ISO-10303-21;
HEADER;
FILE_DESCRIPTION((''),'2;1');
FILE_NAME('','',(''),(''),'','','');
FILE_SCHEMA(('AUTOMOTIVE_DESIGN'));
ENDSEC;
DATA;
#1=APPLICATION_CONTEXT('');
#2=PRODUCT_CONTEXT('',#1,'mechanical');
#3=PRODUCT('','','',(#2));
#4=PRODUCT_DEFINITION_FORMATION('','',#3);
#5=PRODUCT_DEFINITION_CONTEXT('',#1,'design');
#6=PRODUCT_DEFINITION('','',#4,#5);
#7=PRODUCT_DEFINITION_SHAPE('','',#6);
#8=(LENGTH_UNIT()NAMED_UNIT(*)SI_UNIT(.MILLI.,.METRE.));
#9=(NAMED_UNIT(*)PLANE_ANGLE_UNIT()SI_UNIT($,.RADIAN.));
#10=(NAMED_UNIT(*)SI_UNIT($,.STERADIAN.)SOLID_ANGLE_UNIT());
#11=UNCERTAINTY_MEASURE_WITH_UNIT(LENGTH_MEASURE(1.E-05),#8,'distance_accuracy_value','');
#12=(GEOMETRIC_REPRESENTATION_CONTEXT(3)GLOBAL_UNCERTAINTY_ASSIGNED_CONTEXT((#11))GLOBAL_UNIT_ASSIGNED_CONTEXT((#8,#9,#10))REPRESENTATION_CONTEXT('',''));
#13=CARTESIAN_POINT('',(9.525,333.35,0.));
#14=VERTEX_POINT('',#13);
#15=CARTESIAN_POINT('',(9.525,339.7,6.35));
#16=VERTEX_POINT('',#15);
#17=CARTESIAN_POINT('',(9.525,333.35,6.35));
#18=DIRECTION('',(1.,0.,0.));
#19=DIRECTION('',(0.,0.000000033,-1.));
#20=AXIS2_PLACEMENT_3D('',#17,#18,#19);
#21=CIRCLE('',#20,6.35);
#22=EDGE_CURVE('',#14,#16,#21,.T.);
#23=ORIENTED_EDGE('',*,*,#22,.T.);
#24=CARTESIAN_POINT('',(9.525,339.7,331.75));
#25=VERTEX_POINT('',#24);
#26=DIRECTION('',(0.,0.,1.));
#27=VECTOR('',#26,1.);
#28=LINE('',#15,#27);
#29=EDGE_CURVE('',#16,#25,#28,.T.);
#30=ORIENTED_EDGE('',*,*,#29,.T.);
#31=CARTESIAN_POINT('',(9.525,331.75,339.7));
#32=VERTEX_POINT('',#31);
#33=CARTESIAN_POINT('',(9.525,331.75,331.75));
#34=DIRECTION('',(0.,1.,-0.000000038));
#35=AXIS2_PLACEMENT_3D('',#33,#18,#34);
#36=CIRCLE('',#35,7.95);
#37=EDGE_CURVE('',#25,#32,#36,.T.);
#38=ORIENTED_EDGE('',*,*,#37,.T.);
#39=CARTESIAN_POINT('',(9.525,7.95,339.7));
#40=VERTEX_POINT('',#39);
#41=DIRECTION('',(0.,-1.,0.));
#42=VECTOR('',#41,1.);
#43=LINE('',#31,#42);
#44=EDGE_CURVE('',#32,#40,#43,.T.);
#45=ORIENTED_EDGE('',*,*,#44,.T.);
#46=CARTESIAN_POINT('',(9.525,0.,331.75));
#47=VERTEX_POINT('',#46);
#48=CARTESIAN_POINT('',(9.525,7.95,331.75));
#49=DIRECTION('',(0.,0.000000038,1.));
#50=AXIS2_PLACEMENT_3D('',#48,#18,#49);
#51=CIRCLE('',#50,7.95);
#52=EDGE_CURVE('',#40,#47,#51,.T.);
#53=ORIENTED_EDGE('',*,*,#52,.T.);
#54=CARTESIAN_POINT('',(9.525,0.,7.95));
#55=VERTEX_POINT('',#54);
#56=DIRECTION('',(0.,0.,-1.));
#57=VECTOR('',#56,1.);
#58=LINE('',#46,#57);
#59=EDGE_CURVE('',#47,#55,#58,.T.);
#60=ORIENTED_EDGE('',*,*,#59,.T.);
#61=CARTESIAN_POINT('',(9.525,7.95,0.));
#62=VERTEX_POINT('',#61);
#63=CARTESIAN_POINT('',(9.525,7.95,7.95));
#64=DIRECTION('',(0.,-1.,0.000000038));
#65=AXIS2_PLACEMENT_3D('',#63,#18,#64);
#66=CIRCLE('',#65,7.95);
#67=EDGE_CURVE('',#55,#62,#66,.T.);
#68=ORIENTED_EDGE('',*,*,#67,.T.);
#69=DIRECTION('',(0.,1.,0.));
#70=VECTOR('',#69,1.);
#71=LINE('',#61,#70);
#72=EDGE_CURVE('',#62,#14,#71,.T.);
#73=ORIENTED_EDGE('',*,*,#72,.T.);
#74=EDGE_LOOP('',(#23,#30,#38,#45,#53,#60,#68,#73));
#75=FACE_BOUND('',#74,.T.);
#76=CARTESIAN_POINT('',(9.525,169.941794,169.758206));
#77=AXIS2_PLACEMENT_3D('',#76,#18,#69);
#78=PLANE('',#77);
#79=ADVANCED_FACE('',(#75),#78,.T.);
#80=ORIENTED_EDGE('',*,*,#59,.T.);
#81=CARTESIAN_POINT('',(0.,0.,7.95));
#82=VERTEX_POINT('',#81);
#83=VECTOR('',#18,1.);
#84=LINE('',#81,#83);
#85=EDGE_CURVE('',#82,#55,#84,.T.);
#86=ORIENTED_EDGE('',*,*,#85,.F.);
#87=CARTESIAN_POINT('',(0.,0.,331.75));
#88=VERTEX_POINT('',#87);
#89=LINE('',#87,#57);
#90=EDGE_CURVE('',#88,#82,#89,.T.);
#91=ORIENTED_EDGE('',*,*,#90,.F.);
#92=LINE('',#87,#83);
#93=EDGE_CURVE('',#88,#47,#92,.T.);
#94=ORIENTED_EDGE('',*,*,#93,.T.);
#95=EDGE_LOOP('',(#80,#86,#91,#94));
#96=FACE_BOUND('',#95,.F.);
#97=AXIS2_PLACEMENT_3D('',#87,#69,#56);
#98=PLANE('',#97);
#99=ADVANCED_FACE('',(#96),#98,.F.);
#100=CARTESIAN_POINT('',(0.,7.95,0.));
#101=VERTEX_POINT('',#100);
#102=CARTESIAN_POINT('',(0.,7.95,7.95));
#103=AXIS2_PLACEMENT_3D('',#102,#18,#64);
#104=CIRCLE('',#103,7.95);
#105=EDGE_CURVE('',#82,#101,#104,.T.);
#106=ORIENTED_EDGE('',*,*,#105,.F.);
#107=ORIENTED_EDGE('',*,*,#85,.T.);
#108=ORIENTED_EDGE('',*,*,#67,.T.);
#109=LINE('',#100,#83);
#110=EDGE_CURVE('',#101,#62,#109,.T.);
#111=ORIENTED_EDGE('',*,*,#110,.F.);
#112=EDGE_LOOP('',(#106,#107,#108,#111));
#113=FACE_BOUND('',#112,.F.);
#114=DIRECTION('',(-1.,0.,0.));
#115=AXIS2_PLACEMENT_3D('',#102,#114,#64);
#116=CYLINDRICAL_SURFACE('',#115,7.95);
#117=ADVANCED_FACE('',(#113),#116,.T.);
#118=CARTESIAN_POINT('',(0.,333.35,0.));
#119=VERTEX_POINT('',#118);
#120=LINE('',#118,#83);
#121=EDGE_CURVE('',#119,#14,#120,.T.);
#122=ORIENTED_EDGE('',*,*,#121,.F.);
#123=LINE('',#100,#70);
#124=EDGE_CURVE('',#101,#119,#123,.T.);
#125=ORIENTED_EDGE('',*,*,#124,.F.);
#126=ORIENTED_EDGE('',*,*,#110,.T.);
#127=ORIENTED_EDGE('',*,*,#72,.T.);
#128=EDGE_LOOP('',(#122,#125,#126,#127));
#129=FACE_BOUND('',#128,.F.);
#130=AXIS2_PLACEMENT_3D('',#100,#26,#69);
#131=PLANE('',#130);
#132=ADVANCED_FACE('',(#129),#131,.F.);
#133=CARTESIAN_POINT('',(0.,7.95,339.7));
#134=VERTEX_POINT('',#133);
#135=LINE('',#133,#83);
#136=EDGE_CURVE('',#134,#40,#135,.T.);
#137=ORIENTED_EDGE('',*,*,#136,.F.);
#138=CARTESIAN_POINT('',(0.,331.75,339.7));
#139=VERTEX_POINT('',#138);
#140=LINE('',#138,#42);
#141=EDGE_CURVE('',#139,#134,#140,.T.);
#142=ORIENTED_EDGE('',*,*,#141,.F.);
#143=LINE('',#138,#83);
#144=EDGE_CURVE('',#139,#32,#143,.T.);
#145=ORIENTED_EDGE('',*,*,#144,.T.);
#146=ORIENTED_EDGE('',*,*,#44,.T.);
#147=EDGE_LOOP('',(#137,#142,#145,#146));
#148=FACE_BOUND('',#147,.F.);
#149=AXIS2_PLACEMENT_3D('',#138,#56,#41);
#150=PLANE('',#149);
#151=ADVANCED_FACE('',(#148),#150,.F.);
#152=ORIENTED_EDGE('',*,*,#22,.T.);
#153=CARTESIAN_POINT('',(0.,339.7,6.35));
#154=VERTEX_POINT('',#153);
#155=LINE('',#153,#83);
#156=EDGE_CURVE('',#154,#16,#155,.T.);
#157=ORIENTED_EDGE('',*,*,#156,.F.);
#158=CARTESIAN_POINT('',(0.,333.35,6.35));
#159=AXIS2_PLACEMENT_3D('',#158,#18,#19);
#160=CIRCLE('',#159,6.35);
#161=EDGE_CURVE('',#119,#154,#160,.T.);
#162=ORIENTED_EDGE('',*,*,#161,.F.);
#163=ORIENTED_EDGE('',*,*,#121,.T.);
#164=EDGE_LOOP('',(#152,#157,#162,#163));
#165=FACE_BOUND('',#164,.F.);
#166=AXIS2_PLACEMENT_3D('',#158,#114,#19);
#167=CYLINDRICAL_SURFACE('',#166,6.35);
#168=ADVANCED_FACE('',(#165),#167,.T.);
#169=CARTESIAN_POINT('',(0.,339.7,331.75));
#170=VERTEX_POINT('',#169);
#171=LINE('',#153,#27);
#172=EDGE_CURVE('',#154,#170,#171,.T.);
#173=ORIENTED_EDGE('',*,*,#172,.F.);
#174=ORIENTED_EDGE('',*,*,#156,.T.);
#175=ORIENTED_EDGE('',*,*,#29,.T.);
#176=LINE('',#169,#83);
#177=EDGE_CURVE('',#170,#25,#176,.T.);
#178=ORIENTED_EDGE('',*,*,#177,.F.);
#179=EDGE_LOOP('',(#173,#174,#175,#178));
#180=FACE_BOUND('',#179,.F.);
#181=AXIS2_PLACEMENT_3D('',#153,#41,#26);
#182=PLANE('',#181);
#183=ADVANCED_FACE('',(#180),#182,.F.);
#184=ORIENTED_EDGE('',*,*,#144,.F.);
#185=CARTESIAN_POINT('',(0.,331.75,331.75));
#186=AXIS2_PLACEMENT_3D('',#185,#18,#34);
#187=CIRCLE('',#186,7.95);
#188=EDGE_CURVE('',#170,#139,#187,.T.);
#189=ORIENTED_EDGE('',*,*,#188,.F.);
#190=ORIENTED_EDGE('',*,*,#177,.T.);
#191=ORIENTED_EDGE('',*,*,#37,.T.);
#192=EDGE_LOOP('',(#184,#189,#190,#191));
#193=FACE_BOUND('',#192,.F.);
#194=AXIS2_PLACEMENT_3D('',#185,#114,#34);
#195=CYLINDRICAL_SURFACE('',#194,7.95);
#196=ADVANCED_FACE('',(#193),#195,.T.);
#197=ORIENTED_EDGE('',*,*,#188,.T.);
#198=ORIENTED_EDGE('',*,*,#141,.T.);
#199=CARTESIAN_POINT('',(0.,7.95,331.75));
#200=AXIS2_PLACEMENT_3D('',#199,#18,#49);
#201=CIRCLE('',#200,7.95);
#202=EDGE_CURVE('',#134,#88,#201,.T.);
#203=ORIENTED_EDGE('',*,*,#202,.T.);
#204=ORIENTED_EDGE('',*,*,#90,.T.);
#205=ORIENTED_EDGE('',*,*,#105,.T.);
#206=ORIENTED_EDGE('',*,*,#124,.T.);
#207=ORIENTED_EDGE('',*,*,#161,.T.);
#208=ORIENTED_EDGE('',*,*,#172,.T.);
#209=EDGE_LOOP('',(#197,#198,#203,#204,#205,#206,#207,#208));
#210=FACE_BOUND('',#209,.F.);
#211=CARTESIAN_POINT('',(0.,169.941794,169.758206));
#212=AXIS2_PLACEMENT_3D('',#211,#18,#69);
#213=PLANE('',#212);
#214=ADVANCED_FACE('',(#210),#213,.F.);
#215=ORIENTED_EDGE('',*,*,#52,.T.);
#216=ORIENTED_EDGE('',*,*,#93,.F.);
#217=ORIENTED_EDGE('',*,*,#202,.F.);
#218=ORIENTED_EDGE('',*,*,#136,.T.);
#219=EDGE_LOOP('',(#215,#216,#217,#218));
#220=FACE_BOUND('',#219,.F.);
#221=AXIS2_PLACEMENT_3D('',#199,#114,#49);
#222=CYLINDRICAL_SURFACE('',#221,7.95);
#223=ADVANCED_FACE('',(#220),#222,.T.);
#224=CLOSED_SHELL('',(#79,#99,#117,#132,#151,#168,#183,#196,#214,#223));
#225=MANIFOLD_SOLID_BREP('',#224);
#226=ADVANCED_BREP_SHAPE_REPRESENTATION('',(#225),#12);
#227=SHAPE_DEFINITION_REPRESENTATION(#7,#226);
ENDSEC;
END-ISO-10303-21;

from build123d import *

# Parameters (mm, degrees)
F1_DEPTH = 9.525


with BuildPart() as f1:
    # F0 (on Right) → F1 (new body)
    with BuildSketch(Plane.YZ):
        with BuildLine():
            ThreePointArc((0, 7.95), (2.328501, 2.328501), (7.95, 0))
            Line((7.95, 0), (333.35, 0))
            ThreePointArc((333.35, 0), (337.840128, 1.859872), (339.7, 6.35))
            Line((339.7, 6.35), (339.7, 331.75))
            ThreePointArc((339.7, 331.75), (337.371499, 337.371499), (331.75, 339.7))
            Line((331.75, 339.7), (7.95, 339.7))
            ThreePointArc((7.95, 339.7), (2.328501, 337.371499), (0, 331.75))
            Line((0, 331.75), (0, 7.95))
        make_face()
    extrude(amount=F1_DEPTH)


solid = f1.part
